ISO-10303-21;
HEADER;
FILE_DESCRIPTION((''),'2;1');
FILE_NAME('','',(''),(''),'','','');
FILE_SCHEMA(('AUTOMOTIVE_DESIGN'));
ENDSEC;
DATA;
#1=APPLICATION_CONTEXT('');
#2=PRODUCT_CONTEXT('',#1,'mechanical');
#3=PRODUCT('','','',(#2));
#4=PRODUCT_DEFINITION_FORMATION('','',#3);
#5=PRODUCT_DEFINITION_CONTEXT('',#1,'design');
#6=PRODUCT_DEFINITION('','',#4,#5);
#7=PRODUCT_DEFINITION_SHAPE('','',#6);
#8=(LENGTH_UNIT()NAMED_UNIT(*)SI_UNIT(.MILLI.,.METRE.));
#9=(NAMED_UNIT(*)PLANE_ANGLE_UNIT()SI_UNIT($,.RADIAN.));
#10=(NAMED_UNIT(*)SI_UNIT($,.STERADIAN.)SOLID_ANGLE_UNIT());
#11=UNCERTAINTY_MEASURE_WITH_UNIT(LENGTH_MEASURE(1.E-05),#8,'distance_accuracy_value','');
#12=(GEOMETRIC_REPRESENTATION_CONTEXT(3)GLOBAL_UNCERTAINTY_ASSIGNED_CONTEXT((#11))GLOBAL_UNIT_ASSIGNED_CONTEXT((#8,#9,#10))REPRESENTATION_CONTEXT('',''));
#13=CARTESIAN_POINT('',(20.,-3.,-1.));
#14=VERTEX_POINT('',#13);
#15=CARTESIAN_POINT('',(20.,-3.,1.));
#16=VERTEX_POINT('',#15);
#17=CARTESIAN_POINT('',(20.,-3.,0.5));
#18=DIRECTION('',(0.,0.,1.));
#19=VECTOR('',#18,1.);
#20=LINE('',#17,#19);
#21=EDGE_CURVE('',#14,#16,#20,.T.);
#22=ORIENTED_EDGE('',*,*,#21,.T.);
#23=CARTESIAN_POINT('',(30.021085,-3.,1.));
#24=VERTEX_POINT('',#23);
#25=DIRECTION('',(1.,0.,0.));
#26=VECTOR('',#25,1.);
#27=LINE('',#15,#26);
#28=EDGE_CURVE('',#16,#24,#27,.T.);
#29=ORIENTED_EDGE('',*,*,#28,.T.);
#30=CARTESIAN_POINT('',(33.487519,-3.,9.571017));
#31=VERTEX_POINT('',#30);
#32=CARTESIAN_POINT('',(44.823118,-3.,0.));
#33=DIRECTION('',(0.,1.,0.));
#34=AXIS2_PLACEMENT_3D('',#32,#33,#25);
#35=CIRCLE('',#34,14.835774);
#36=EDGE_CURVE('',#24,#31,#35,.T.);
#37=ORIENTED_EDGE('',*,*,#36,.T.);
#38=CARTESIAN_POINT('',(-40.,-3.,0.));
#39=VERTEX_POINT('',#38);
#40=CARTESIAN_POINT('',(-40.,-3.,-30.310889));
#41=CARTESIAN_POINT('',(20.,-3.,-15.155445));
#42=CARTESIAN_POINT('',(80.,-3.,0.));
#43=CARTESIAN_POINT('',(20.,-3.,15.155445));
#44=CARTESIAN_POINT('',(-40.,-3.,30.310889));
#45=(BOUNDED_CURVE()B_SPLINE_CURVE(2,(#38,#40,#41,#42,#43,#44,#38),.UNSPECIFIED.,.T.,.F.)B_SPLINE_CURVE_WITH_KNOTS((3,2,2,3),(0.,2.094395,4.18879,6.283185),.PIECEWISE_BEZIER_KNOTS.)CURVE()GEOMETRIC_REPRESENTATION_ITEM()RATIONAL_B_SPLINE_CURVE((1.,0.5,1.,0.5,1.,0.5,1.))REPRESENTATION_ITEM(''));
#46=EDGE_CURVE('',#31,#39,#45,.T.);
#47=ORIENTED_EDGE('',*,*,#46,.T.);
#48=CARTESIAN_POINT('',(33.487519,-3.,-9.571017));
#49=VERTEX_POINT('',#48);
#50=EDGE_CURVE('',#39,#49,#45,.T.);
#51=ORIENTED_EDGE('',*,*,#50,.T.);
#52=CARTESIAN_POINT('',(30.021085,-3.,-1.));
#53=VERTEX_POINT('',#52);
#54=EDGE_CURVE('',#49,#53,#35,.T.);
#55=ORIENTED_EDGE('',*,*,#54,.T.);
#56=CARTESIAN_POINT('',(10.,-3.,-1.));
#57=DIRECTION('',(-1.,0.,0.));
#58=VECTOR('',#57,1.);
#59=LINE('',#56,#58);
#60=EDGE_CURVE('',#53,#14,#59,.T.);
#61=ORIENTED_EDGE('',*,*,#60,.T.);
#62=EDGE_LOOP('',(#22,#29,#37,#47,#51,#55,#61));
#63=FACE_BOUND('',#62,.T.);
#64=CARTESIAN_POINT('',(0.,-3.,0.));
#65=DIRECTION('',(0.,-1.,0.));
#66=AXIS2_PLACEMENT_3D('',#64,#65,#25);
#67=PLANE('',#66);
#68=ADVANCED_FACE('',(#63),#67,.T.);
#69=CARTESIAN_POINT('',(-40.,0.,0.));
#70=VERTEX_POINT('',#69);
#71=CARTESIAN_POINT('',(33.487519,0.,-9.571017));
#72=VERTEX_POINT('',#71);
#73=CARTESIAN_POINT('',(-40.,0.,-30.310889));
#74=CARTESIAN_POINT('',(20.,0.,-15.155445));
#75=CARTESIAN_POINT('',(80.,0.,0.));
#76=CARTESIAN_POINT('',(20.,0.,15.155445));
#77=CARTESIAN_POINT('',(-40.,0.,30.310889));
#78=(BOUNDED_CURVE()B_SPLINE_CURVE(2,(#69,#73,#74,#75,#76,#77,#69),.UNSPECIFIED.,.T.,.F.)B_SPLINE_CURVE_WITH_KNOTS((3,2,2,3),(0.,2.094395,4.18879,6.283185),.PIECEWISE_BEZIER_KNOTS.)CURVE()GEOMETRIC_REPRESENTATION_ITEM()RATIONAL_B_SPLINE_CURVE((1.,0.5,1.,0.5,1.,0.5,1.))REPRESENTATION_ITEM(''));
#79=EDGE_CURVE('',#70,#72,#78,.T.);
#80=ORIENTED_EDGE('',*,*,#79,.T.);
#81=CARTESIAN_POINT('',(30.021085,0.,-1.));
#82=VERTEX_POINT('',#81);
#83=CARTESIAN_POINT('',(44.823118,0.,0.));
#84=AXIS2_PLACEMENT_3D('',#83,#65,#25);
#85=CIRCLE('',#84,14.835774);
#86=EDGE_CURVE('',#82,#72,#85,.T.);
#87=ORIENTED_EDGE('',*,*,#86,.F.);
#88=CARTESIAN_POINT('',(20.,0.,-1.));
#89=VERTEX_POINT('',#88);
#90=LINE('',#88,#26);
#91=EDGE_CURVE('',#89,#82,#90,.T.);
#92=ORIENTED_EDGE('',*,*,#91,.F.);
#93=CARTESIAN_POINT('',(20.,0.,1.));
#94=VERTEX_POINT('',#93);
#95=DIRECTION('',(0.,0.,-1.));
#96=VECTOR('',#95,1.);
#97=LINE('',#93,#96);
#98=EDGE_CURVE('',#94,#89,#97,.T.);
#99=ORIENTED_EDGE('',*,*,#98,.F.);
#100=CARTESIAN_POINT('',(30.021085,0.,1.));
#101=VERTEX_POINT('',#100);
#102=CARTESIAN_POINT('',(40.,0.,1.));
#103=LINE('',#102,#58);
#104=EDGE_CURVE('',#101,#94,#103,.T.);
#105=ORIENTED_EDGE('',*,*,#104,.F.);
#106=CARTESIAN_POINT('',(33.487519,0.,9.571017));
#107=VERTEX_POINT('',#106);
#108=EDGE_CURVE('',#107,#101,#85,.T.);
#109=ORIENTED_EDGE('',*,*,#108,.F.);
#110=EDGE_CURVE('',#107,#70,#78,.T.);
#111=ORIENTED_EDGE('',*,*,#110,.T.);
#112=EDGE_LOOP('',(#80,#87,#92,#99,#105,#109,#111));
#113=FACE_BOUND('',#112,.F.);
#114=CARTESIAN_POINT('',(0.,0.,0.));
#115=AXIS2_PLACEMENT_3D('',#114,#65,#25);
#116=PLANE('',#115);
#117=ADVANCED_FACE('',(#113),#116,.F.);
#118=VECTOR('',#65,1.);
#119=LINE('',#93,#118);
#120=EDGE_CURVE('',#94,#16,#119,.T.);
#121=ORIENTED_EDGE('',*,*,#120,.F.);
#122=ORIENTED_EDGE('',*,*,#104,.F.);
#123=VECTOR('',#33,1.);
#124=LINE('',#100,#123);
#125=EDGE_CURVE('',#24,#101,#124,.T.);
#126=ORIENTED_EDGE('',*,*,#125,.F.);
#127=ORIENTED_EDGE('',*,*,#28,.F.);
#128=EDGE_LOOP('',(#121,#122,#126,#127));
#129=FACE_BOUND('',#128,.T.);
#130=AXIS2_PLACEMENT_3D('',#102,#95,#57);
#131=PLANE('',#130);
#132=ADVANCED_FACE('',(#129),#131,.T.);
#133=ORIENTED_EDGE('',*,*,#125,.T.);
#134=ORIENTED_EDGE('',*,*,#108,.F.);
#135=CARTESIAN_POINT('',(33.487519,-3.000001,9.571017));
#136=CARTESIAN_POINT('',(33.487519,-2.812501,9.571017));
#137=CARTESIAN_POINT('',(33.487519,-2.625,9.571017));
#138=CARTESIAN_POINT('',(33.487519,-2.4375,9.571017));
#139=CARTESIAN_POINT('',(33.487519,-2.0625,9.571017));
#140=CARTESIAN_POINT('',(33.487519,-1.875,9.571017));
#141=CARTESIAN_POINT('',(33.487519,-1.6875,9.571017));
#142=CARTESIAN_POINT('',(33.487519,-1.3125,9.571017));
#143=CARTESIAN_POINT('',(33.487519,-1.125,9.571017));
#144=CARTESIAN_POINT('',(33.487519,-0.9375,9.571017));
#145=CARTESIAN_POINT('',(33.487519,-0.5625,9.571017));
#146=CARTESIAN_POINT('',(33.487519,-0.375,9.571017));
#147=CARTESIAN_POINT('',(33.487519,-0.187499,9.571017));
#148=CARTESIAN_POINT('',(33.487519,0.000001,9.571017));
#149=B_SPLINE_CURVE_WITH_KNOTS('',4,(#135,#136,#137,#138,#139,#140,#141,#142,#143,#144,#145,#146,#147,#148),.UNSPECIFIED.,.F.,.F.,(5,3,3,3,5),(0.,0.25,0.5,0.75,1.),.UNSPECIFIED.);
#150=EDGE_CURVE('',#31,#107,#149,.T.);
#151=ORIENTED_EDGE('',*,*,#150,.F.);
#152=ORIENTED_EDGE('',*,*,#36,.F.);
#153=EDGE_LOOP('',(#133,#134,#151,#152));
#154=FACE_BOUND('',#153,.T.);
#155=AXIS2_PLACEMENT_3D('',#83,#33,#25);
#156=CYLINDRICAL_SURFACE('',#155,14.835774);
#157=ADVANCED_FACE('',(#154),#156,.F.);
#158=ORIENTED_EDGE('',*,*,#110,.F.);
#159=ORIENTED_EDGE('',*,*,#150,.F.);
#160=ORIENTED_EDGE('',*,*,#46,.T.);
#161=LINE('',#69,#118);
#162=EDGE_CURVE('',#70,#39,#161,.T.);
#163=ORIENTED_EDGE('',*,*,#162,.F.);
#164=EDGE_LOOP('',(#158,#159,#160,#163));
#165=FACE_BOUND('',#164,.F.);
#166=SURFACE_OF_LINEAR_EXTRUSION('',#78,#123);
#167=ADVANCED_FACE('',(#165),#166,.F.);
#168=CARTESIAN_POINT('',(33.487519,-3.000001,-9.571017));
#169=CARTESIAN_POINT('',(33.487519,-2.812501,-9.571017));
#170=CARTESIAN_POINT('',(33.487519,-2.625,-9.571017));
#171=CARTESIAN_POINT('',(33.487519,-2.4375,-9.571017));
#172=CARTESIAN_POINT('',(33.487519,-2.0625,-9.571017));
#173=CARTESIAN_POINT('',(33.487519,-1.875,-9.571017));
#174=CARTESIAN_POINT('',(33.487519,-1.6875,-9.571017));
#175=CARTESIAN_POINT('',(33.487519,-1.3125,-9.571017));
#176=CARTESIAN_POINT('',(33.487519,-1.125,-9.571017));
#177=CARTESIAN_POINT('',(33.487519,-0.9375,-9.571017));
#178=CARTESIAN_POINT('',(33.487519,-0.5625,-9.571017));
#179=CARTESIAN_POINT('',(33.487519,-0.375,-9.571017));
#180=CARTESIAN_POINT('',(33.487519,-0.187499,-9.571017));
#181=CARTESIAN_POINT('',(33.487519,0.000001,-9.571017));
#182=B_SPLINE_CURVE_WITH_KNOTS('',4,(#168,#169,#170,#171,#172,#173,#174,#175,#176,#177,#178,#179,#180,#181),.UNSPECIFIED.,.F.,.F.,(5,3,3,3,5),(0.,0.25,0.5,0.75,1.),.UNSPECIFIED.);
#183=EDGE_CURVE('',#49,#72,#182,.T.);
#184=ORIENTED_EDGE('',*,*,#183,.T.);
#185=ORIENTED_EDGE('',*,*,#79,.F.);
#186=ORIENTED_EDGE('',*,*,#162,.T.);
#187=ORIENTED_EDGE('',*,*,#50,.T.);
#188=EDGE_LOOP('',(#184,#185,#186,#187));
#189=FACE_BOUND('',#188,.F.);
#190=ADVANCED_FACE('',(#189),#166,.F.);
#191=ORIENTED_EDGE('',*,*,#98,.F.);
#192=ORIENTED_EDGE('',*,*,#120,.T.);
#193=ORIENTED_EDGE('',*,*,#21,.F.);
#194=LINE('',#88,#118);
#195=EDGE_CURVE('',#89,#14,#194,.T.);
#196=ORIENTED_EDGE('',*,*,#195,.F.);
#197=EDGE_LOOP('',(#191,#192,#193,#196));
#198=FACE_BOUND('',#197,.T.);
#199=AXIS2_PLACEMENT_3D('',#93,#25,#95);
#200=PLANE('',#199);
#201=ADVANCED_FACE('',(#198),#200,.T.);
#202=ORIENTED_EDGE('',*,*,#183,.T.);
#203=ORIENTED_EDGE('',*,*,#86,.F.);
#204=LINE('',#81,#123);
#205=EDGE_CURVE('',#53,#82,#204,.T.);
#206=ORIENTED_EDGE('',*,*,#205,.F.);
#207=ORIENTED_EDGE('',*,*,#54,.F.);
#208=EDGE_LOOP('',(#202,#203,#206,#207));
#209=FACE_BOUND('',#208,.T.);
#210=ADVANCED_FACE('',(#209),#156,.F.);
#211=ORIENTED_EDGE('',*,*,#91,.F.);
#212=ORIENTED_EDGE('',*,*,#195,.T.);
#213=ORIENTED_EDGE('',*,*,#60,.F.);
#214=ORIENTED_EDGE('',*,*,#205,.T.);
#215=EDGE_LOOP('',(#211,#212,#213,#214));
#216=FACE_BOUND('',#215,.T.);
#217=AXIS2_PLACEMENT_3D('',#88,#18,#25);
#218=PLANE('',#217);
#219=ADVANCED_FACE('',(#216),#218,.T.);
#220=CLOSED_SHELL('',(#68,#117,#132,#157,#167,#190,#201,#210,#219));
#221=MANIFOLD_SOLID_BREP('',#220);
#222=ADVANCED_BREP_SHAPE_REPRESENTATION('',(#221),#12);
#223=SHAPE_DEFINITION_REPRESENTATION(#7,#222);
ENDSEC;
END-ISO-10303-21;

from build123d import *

# Parameters (mm, degrees)
F1_DEPTH = 3
F2_R     = 14.835774
F3_DEPTH = 25
F5_DEPTH = 25


with BuildPart() as f1:
    # F0 (on Front) → F1 (new body)
    with BuildSketch(Plane.XZ):
        with BuildLine():
            add(Edge.make_bspline(
                [(-40, 0), (-40, -30.310889), (20, -15.155445), (80, 0), (20, 15.155445), (-40, 30.310889), (-40, 0)],
                knots=[0, 0, 0, 2.094395, 2.094395, 4.18879, 4.18879, 6.283185, 6.283185, 6.283185], degree=2, weights=[1, 0.5, 1, 0.5, 1, 0.5, 1]))
        make_face()
    extrude(amount=F1_DEPTH)

    # F2 (on Front) → F3 (cut)
    with BuildSketch(Plane.XZ):
        with Locations((44.823118, 0)):
            Circle(F2_R)
    extrude(amount=F3_DEPTH, mode=Mode.SUBTRACT)

    # F4 (on Front) → F5 (cut)
    with BuildSketch(Plane.XZ):
        Polygon((35.474408, 1), (20, 1), (20, 0), (35.480917, 0), align=None)
        Polygon((40, 1), (35.474408, 1), (35.480917, 0), (35.487425, 0), (40, 0), align=None)
        Polygon((35.480917, 0), (20, 0), (20, -1), (35.487425, -1), align=None)
        Polygon((35.487425, 0), (35.480917, 0), (35.487425, -1), (40, -1), (40, 0), align=None)
    extrude(amount=F5_DEPTH, mode=Mode.SUBTRACT)


solid = f1.part
